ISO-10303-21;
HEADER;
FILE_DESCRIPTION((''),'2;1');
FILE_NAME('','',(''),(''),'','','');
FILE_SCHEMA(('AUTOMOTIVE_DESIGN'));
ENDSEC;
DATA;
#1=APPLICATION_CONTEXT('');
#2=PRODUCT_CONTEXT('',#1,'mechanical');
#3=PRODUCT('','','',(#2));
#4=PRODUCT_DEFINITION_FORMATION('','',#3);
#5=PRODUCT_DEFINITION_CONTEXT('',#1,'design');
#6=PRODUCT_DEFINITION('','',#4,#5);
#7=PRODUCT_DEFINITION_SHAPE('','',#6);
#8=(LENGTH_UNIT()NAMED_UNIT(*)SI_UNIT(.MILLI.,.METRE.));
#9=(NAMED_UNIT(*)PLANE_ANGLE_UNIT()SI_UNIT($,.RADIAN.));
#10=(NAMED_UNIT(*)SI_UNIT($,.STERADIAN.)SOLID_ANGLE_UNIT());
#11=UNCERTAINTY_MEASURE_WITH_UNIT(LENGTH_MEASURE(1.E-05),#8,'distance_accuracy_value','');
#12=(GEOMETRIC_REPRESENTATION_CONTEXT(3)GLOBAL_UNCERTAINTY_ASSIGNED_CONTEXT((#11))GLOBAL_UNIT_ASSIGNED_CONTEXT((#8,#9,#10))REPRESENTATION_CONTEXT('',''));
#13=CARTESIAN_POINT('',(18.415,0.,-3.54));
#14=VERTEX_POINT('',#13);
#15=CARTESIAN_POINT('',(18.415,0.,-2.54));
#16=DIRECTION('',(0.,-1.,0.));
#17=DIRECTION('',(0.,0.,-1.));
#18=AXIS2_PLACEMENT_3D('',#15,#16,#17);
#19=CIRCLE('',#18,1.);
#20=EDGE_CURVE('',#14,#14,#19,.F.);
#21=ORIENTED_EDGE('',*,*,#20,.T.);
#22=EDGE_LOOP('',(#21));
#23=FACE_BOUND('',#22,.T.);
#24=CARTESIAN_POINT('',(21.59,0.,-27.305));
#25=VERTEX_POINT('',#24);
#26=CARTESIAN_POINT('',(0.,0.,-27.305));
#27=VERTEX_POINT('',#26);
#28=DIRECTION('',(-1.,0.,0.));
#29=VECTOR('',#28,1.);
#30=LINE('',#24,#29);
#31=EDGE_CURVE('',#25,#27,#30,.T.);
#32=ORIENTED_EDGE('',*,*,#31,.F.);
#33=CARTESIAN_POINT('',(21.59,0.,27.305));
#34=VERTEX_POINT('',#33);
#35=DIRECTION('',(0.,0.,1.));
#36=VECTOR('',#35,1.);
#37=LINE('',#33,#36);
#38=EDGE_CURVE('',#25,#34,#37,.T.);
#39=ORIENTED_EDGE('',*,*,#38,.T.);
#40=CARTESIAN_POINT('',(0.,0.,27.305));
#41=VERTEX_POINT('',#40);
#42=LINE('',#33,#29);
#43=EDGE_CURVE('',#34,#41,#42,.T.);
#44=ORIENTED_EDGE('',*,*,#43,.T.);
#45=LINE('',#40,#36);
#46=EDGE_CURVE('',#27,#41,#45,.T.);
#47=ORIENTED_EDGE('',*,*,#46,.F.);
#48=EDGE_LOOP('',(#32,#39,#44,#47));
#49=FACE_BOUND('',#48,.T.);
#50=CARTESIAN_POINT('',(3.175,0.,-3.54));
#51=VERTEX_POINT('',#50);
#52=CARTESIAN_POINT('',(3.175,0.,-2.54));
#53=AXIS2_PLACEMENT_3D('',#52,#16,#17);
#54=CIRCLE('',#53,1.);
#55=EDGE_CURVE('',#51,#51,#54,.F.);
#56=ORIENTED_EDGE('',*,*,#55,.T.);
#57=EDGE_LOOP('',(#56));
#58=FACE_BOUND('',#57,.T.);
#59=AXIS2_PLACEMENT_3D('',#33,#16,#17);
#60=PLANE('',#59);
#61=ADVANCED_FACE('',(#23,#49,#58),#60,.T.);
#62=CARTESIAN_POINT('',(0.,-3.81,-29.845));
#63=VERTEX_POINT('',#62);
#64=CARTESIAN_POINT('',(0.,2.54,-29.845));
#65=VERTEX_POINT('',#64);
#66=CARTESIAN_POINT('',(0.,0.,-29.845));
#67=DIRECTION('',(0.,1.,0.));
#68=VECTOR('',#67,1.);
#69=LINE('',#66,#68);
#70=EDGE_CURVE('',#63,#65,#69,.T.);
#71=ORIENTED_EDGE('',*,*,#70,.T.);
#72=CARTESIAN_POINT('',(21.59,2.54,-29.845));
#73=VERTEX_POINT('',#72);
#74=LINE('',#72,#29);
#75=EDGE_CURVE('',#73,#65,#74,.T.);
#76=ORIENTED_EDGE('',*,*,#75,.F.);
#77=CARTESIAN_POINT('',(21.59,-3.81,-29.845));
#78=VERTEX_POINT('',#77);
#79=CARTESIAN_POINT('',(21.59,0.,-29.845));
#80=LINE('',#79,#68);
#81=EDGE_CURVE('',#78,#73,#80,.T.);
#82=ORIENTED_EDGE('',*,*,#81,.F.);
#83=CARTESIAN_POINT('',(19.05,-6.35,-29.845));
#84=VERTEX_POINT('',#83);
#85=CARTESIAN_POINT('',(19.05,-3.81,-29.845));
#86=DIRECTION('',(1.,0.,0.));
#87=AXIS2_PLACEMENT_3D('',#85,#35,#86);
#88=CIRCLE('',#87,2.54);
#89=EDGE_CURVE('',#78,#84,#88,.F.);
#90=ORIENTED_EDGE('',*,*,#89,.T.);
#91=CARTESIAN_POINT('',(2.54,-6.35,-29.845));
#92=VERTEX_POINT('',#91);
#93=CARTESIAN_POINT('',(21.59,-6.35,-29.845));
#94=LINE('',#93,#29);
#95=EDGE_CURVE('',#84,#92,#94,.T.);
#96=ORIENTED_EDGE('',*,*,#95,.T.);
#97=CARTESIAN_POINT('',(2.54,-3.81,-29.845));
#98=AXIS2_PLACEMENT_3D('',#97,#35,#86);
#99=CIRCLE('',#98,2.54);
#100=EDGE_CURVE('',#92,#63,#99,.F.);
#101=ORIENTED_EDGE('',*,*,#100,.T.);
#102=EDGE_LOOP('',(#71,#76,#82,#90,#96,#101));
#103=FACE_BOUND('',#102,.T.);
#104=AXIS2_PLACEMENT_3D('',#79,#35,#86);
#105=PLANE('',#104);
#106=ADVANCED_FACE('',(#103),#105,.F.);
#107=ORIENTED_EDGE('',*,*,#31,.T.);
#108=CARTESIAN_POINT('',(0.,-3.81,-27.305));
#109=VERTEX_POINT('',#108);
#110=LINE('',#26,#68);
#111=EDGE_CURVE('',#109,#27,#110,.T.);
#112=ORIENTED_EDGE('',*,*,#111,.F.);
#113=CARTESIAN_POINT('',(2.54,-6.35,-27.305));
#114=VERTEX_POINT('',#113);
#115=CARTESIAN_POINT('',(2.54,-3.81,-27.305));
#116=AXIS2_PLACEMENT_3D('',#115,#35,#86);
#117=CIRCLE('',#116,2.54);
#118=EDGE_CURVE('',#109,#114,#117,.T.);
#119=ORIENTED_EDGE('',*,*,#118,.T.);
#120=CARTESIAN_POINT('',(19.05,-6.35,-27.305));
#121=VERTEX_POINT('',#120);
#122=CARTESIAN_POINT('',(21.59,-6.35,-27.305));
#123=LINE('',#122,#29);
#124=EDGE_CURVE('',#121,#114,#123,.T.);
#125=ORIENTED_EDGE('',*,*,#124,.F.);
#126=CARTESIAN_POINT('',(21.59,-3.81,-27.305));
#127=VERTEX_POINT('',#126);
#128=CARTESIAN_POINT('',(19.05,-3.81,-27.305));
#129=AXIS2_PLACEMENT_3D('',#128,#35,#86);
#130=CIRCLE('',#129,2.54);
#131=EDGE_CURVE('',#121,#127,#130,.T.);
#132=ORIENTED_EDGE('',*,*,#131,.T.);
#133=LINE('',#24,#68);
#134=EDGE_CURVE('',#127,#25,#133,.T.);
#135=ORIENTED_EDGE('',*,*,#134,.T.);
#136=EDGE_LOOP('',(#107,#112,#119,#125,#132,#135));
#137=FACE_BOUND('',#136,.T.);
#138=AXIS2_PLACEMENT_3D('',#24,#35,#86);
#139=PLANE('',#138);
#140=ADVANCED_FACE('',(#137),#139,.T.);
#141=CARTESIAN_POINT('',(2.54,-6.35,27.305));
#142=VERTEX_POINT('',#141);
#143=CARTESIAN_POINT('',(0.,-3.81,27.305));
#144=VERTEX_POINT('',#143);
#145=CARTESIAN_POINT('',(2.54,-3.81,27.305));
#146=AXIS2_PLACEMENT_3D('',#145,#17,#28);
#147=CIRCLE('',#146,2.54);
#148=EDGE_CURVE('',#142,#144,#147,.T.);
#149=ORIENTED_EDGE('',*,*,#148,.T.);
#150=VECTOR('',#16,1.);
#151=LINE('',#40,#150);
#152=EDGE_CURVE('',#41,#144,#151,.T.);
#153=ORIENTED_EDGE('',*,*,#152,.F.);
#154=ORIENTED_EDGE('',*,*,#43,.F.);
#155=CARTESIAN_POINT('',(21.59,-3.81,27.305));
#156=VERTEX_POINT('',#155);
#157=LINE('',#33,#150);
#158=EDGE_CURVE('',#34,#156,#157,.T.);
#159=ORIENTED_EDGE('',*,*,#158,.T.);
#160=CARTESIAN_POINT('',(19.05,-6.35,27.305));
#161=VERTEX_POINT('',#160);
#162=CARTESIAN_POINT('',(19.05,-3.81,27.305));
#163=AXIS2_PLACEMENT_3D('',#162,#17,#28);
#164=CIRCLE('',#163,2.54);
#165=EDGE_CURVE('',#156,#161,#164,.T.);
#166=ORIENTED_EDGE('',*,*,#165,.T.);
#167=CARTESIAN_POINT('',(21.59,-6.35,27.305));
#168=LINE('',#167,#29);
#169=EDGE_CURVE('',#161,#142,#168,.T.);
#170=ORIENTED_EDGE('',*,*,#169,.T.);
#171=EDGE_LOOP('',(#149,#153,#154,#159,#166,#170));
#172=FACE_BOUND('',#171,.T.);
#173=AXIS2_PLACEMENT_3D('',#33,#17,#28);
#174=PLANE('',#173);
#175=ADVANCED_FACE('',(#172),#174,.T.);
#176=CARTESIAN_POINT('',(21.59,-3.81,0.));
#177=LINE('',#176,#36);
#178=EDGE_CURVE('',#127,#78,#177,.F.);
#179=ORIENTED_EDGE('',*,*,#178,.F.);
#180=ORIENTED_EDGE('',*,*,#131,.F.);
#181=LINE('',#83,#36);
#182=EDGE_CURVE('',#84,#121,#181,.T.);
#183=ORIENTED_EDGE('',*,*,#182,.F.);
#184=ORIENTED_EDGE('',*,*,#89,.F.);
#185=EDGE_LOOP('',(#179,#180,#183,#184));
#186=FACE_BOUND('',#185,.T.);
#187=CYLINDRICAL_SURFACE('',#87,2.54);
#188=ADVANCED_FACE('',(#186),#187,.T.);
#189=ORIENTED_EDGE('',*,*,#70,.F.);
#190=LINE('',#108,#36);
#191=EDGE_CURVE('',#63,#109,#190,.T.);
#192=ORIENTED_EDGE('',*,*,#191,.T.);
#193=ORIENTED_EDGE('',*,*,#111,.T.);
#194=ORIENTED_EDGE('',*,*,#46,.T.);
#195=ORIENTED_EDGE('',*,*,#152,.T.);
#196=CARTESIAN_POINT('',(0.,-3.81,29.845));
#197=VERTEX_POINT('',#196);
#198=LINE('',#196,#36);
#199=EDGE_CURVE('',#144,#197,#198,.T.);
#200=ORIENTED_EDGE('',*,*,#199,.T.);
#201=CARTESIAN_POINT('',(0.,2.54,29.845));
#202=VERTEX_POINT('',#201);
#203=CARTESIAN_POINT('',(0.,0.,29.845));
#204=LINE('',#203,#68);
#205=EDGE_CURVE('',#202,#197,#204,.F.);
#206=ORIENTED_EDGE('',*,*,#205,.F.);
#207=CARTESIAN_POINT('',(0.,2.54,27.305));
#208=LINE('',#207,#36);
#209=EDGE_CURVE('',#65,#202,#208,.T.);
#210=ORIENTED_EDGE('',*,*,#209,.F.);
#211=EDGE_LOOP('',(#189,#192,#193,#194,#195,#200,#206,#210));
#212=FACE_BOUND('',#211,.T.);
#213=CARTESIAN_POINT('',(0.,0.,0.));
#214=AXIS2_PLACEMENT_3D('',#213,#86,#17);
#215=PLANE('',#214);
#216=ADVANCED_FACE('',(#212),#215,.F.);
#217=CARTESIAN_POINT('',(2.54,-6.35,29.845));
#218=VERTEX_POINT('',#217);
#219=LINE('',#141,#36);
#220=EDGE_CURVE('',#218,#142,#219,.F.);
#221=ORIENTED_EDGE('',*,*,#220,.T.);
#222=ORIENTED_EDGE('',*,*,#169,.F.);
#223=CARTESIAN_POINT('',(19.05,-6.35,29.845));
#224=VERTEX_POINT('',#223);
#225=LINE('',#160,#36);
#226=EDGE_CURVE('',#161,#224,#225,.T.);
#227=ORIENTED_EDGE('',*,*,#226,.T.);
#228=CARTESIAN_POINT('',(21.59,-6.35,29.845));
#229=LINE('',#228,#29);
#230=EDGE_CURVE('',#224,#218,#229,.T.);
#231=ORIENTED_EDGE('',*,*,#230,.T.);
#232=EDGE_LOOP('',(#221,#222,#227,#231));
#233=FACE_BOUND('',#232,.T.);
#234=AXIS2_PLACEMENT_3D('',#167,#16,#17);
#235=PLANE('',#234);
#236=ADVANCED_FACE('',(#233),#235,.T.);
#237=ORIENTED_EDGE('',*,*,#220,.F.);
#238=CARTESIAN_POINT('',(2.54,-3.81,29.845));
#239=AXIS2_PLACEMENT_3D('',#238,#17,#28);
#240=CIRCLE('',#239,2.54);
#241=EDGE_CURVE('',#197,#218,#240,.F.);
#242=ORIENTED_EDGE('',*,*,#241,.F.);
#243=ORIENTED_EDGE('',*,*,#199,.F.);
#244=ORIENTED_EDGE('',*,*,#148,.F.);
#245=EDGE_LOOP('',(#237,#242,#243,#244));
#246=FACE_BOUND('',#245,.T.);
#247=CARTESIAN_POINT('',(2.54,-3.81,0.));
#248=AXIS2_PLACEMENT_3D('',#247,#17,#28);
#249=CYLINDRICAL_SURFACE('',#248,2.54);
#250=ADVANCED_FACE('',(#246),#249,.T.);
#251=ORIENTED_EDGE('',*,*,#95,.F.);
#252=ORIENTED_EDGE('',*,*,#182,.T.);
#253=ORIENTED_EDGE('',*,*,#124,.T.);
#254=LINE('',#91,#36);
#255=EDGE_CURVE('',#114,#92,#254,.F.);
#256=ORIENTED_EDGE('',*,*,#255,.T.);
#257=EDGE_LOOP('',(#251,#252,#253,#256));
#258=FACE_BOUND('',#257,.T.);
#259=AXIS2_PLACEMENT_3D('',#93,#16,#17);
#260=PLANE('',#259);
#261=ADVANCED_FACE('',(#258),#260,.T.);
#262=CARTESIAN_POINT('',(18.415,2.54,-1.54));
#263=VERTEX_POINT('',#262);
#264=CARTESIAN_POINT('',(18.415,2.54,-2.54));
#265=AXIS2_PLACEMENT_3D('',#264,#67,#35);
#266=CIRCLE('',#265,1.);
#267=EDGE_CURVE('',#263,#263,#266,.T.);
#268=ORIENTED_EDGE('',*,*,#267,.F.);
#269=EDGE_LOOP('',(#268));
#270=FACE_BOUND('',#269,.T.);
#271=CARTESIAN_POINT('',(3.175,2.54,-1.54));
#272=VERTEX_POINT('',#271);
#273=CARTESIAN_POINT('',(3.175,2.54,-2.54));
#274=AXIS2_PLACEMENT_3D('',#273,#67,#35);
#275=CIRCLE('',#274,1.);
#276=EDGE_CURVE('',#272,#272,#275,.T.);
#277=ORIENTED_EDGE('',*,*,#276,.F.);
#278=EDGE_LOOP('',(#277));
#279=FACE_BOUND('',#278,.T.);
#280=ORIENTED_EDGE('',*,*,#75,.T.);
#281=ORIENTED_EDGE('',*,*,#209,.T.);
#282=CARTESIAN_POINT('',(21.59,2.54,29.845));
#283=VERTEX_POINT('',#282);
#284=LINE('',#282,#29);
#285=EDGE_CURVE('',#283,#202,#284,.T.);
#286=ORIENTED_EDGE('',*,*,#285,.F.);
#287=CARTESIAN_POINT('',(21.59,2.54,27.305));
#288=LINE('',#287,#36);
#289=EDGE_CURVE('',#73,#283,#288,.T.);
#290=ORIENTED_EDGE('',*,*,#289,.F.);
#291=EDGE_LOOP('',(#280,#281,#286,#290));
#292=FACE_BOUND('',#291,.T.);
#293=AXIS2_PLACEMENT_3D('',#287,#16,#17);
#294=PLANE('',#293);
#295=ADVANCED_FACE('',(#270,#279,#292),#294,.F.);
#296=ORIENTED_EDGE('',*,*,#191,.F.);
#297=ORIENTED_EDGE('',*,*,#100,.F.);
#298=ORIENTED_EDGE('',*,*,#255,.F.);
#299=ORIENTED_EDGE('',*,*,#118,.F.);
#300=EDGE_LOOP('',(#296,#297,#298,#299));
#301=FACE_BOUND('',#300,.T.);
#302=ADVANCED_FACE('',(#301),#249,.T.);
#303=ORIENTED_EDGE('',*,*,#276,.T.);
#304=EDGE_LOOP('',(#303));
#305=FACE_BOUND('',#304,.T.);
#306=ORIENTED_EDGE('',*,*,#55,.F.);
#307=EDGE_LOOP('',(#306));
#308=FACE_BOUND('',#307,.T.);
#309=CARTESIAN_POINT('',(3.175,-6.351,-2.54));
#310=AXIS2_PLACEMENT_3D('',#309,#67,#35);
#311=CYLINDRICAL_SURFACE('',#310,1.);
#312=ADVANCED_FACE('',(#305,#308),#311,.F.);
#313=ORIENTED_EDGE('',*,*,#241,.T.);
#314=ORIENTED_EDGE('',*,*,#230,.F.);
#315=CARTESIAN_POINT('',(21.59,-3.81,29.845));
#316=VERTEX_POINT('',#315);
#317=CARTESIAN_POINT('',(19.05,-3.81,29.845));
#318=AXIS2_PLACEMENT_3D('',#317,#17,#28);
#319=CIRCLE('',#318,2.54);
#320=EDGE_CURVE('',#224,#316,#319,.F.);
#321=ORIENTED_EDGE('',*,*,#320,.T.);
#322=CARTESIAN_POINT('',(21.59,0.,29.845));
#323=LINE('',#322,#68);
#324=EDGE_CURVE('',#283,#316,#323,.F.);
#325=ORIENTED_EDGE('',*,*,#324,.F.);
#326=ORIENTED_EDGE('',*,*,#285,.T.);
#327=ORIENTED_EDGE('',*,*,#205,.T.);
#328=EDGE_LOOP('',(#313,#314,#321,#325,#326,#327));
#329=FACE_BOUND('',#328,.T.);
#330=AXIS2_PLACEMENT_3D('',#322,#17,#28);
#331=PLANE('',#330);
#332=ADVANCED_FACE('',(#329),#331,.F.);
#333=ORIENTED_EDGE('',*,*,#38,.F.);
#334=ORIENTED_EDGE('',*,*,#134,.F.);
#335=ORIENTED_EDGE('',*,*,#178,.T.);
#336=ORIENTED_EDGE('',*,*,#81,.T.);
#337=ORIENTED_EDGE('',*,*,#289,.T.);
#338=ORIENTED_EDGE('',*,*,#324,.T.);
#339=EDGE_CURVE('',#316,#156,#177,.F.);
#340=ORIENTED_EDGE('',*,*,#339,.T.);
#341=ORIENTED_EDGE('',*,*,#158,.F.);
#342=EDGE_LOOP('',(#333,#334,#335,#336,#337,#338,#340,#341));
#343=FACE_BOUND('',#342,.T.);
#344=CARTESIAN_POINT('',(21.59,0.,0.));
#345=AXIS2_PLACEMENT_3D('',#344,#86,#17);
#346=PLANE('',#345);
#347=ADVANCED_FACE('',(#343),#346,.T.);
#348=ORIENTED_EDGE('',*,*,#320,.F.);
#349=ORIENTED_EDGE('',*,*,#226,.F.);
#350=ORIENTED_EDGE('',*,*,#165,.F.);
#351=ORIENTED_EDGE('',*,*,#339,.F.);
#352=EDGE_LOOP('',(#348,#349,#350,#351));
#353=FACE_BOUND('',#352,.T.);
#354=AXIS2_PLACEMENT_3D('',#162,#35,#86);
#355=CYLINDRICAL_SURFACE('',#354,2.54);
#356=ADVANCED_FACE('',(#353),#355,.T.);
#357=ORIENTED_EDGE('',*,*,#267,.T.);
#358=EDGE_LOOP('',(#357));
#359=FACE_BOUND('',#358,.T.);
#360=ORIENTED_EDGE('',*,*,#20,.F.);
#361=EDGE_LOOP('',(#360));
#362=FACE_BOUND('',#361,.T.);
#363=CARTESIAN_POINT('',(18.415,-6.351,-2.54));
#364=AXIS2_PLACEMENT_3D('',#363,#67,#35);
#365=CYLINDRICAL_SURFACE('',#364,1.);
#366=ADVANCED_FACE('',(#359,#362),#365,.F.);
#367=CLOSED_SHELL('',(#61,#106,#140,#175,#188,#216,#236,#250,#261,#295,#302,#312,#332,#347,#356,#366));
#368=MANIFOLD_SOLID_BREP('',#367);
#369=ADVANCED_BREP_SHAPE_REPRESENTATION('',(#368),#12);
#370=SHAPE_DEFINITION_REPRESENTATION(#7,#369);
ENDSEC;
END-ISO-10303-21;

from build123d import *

# Parameters (mm, degrees)
EXTRUDE_THIN1_DEPTH = 21.59
CUT_EXTRUDE1_REACH  = 39.893
SKETCH2_R           = 1
FILLET1_R           = 2.54


with BuildPart() as part:
    # Sketch1 → Extrude-Thin1 (new body)
    with BuildSketch(Plane(origin=(0, 0, 0), x_dir=(0, 0, -1), z_dir=(1, 0, 0))):
        Polygon((-27.305, -6.35), (-27.305, 0), (27.305, 0), (27.305, -6.35), (29.845, -6.35), (29.845, 2.54), (-29.845, 2.54), (-29.845, -6.35), align=None)
    extrude(amount=EXTRUDE_THIN1_DEPTH)

    # Sketch2 → Cut-Extrude1 (cut, up to next)
    with BuildSketch(Plane(origin=(0, 2.54, 0), x_dir=(1, 0, 0), z_dir=(0, 1, 0)), mode=Mode.PRIVATE) as cut_extrude1_sk1:
        with Locations(Location((3.175, 2.54, 0), (0, 0, 270))):
            Circle(SKETCH2_R)
    cut_extrude1_tool1 = extrude(cut_extrude1_sk1.sketch, amount=-CUT_EXTRUDE1_REACH, mode=Mode.PRIVATE) & part.part
    # Sketch2 → Cut-Extrude1 (cut, up to next)
    with BuildSketch(Plane(origin=(0, 2.54, 0), x_dir=(1, 0, 0), z_dir=(0, 1, 0)), mode=Mode.PRIVATE) as cut_extrude1_sk2:
        with Locations(Location((18.415, 2.54, 0), (0, 0, 270))):
            Circle(SKETCH2_R)
    cut_extrude1_tool2 = extrude(cut_extrude1_sk2.sketch, amount=-CUT_EXTRUDE1_REACH, mode=Mode.PRIVATE) & part.part
    add(cut_extrude1_tool1.solids().sort_by_distance((3.175, 2.54, -2.54))[0], mode=Mode.SUBTRACT)
    add(cut_extrude1_tool2.solids().sort_by_distance((18.415, 2.54, -2.54))[0], mode=Mode.SUBTRACT)

    # Fillet1
    fillet1_edges = [part.edges().sort_by_distance(p)[0] for p in [
        (21.59, -6.35, -28.575),
        (21.59, -6.35, 28.575),
        (0, -6.35, -28.575),
        (0, -6.35, 28.575),
    ]]
    fillet(fillet1_edges, radius=FILLET1_R)


solid = part.part
